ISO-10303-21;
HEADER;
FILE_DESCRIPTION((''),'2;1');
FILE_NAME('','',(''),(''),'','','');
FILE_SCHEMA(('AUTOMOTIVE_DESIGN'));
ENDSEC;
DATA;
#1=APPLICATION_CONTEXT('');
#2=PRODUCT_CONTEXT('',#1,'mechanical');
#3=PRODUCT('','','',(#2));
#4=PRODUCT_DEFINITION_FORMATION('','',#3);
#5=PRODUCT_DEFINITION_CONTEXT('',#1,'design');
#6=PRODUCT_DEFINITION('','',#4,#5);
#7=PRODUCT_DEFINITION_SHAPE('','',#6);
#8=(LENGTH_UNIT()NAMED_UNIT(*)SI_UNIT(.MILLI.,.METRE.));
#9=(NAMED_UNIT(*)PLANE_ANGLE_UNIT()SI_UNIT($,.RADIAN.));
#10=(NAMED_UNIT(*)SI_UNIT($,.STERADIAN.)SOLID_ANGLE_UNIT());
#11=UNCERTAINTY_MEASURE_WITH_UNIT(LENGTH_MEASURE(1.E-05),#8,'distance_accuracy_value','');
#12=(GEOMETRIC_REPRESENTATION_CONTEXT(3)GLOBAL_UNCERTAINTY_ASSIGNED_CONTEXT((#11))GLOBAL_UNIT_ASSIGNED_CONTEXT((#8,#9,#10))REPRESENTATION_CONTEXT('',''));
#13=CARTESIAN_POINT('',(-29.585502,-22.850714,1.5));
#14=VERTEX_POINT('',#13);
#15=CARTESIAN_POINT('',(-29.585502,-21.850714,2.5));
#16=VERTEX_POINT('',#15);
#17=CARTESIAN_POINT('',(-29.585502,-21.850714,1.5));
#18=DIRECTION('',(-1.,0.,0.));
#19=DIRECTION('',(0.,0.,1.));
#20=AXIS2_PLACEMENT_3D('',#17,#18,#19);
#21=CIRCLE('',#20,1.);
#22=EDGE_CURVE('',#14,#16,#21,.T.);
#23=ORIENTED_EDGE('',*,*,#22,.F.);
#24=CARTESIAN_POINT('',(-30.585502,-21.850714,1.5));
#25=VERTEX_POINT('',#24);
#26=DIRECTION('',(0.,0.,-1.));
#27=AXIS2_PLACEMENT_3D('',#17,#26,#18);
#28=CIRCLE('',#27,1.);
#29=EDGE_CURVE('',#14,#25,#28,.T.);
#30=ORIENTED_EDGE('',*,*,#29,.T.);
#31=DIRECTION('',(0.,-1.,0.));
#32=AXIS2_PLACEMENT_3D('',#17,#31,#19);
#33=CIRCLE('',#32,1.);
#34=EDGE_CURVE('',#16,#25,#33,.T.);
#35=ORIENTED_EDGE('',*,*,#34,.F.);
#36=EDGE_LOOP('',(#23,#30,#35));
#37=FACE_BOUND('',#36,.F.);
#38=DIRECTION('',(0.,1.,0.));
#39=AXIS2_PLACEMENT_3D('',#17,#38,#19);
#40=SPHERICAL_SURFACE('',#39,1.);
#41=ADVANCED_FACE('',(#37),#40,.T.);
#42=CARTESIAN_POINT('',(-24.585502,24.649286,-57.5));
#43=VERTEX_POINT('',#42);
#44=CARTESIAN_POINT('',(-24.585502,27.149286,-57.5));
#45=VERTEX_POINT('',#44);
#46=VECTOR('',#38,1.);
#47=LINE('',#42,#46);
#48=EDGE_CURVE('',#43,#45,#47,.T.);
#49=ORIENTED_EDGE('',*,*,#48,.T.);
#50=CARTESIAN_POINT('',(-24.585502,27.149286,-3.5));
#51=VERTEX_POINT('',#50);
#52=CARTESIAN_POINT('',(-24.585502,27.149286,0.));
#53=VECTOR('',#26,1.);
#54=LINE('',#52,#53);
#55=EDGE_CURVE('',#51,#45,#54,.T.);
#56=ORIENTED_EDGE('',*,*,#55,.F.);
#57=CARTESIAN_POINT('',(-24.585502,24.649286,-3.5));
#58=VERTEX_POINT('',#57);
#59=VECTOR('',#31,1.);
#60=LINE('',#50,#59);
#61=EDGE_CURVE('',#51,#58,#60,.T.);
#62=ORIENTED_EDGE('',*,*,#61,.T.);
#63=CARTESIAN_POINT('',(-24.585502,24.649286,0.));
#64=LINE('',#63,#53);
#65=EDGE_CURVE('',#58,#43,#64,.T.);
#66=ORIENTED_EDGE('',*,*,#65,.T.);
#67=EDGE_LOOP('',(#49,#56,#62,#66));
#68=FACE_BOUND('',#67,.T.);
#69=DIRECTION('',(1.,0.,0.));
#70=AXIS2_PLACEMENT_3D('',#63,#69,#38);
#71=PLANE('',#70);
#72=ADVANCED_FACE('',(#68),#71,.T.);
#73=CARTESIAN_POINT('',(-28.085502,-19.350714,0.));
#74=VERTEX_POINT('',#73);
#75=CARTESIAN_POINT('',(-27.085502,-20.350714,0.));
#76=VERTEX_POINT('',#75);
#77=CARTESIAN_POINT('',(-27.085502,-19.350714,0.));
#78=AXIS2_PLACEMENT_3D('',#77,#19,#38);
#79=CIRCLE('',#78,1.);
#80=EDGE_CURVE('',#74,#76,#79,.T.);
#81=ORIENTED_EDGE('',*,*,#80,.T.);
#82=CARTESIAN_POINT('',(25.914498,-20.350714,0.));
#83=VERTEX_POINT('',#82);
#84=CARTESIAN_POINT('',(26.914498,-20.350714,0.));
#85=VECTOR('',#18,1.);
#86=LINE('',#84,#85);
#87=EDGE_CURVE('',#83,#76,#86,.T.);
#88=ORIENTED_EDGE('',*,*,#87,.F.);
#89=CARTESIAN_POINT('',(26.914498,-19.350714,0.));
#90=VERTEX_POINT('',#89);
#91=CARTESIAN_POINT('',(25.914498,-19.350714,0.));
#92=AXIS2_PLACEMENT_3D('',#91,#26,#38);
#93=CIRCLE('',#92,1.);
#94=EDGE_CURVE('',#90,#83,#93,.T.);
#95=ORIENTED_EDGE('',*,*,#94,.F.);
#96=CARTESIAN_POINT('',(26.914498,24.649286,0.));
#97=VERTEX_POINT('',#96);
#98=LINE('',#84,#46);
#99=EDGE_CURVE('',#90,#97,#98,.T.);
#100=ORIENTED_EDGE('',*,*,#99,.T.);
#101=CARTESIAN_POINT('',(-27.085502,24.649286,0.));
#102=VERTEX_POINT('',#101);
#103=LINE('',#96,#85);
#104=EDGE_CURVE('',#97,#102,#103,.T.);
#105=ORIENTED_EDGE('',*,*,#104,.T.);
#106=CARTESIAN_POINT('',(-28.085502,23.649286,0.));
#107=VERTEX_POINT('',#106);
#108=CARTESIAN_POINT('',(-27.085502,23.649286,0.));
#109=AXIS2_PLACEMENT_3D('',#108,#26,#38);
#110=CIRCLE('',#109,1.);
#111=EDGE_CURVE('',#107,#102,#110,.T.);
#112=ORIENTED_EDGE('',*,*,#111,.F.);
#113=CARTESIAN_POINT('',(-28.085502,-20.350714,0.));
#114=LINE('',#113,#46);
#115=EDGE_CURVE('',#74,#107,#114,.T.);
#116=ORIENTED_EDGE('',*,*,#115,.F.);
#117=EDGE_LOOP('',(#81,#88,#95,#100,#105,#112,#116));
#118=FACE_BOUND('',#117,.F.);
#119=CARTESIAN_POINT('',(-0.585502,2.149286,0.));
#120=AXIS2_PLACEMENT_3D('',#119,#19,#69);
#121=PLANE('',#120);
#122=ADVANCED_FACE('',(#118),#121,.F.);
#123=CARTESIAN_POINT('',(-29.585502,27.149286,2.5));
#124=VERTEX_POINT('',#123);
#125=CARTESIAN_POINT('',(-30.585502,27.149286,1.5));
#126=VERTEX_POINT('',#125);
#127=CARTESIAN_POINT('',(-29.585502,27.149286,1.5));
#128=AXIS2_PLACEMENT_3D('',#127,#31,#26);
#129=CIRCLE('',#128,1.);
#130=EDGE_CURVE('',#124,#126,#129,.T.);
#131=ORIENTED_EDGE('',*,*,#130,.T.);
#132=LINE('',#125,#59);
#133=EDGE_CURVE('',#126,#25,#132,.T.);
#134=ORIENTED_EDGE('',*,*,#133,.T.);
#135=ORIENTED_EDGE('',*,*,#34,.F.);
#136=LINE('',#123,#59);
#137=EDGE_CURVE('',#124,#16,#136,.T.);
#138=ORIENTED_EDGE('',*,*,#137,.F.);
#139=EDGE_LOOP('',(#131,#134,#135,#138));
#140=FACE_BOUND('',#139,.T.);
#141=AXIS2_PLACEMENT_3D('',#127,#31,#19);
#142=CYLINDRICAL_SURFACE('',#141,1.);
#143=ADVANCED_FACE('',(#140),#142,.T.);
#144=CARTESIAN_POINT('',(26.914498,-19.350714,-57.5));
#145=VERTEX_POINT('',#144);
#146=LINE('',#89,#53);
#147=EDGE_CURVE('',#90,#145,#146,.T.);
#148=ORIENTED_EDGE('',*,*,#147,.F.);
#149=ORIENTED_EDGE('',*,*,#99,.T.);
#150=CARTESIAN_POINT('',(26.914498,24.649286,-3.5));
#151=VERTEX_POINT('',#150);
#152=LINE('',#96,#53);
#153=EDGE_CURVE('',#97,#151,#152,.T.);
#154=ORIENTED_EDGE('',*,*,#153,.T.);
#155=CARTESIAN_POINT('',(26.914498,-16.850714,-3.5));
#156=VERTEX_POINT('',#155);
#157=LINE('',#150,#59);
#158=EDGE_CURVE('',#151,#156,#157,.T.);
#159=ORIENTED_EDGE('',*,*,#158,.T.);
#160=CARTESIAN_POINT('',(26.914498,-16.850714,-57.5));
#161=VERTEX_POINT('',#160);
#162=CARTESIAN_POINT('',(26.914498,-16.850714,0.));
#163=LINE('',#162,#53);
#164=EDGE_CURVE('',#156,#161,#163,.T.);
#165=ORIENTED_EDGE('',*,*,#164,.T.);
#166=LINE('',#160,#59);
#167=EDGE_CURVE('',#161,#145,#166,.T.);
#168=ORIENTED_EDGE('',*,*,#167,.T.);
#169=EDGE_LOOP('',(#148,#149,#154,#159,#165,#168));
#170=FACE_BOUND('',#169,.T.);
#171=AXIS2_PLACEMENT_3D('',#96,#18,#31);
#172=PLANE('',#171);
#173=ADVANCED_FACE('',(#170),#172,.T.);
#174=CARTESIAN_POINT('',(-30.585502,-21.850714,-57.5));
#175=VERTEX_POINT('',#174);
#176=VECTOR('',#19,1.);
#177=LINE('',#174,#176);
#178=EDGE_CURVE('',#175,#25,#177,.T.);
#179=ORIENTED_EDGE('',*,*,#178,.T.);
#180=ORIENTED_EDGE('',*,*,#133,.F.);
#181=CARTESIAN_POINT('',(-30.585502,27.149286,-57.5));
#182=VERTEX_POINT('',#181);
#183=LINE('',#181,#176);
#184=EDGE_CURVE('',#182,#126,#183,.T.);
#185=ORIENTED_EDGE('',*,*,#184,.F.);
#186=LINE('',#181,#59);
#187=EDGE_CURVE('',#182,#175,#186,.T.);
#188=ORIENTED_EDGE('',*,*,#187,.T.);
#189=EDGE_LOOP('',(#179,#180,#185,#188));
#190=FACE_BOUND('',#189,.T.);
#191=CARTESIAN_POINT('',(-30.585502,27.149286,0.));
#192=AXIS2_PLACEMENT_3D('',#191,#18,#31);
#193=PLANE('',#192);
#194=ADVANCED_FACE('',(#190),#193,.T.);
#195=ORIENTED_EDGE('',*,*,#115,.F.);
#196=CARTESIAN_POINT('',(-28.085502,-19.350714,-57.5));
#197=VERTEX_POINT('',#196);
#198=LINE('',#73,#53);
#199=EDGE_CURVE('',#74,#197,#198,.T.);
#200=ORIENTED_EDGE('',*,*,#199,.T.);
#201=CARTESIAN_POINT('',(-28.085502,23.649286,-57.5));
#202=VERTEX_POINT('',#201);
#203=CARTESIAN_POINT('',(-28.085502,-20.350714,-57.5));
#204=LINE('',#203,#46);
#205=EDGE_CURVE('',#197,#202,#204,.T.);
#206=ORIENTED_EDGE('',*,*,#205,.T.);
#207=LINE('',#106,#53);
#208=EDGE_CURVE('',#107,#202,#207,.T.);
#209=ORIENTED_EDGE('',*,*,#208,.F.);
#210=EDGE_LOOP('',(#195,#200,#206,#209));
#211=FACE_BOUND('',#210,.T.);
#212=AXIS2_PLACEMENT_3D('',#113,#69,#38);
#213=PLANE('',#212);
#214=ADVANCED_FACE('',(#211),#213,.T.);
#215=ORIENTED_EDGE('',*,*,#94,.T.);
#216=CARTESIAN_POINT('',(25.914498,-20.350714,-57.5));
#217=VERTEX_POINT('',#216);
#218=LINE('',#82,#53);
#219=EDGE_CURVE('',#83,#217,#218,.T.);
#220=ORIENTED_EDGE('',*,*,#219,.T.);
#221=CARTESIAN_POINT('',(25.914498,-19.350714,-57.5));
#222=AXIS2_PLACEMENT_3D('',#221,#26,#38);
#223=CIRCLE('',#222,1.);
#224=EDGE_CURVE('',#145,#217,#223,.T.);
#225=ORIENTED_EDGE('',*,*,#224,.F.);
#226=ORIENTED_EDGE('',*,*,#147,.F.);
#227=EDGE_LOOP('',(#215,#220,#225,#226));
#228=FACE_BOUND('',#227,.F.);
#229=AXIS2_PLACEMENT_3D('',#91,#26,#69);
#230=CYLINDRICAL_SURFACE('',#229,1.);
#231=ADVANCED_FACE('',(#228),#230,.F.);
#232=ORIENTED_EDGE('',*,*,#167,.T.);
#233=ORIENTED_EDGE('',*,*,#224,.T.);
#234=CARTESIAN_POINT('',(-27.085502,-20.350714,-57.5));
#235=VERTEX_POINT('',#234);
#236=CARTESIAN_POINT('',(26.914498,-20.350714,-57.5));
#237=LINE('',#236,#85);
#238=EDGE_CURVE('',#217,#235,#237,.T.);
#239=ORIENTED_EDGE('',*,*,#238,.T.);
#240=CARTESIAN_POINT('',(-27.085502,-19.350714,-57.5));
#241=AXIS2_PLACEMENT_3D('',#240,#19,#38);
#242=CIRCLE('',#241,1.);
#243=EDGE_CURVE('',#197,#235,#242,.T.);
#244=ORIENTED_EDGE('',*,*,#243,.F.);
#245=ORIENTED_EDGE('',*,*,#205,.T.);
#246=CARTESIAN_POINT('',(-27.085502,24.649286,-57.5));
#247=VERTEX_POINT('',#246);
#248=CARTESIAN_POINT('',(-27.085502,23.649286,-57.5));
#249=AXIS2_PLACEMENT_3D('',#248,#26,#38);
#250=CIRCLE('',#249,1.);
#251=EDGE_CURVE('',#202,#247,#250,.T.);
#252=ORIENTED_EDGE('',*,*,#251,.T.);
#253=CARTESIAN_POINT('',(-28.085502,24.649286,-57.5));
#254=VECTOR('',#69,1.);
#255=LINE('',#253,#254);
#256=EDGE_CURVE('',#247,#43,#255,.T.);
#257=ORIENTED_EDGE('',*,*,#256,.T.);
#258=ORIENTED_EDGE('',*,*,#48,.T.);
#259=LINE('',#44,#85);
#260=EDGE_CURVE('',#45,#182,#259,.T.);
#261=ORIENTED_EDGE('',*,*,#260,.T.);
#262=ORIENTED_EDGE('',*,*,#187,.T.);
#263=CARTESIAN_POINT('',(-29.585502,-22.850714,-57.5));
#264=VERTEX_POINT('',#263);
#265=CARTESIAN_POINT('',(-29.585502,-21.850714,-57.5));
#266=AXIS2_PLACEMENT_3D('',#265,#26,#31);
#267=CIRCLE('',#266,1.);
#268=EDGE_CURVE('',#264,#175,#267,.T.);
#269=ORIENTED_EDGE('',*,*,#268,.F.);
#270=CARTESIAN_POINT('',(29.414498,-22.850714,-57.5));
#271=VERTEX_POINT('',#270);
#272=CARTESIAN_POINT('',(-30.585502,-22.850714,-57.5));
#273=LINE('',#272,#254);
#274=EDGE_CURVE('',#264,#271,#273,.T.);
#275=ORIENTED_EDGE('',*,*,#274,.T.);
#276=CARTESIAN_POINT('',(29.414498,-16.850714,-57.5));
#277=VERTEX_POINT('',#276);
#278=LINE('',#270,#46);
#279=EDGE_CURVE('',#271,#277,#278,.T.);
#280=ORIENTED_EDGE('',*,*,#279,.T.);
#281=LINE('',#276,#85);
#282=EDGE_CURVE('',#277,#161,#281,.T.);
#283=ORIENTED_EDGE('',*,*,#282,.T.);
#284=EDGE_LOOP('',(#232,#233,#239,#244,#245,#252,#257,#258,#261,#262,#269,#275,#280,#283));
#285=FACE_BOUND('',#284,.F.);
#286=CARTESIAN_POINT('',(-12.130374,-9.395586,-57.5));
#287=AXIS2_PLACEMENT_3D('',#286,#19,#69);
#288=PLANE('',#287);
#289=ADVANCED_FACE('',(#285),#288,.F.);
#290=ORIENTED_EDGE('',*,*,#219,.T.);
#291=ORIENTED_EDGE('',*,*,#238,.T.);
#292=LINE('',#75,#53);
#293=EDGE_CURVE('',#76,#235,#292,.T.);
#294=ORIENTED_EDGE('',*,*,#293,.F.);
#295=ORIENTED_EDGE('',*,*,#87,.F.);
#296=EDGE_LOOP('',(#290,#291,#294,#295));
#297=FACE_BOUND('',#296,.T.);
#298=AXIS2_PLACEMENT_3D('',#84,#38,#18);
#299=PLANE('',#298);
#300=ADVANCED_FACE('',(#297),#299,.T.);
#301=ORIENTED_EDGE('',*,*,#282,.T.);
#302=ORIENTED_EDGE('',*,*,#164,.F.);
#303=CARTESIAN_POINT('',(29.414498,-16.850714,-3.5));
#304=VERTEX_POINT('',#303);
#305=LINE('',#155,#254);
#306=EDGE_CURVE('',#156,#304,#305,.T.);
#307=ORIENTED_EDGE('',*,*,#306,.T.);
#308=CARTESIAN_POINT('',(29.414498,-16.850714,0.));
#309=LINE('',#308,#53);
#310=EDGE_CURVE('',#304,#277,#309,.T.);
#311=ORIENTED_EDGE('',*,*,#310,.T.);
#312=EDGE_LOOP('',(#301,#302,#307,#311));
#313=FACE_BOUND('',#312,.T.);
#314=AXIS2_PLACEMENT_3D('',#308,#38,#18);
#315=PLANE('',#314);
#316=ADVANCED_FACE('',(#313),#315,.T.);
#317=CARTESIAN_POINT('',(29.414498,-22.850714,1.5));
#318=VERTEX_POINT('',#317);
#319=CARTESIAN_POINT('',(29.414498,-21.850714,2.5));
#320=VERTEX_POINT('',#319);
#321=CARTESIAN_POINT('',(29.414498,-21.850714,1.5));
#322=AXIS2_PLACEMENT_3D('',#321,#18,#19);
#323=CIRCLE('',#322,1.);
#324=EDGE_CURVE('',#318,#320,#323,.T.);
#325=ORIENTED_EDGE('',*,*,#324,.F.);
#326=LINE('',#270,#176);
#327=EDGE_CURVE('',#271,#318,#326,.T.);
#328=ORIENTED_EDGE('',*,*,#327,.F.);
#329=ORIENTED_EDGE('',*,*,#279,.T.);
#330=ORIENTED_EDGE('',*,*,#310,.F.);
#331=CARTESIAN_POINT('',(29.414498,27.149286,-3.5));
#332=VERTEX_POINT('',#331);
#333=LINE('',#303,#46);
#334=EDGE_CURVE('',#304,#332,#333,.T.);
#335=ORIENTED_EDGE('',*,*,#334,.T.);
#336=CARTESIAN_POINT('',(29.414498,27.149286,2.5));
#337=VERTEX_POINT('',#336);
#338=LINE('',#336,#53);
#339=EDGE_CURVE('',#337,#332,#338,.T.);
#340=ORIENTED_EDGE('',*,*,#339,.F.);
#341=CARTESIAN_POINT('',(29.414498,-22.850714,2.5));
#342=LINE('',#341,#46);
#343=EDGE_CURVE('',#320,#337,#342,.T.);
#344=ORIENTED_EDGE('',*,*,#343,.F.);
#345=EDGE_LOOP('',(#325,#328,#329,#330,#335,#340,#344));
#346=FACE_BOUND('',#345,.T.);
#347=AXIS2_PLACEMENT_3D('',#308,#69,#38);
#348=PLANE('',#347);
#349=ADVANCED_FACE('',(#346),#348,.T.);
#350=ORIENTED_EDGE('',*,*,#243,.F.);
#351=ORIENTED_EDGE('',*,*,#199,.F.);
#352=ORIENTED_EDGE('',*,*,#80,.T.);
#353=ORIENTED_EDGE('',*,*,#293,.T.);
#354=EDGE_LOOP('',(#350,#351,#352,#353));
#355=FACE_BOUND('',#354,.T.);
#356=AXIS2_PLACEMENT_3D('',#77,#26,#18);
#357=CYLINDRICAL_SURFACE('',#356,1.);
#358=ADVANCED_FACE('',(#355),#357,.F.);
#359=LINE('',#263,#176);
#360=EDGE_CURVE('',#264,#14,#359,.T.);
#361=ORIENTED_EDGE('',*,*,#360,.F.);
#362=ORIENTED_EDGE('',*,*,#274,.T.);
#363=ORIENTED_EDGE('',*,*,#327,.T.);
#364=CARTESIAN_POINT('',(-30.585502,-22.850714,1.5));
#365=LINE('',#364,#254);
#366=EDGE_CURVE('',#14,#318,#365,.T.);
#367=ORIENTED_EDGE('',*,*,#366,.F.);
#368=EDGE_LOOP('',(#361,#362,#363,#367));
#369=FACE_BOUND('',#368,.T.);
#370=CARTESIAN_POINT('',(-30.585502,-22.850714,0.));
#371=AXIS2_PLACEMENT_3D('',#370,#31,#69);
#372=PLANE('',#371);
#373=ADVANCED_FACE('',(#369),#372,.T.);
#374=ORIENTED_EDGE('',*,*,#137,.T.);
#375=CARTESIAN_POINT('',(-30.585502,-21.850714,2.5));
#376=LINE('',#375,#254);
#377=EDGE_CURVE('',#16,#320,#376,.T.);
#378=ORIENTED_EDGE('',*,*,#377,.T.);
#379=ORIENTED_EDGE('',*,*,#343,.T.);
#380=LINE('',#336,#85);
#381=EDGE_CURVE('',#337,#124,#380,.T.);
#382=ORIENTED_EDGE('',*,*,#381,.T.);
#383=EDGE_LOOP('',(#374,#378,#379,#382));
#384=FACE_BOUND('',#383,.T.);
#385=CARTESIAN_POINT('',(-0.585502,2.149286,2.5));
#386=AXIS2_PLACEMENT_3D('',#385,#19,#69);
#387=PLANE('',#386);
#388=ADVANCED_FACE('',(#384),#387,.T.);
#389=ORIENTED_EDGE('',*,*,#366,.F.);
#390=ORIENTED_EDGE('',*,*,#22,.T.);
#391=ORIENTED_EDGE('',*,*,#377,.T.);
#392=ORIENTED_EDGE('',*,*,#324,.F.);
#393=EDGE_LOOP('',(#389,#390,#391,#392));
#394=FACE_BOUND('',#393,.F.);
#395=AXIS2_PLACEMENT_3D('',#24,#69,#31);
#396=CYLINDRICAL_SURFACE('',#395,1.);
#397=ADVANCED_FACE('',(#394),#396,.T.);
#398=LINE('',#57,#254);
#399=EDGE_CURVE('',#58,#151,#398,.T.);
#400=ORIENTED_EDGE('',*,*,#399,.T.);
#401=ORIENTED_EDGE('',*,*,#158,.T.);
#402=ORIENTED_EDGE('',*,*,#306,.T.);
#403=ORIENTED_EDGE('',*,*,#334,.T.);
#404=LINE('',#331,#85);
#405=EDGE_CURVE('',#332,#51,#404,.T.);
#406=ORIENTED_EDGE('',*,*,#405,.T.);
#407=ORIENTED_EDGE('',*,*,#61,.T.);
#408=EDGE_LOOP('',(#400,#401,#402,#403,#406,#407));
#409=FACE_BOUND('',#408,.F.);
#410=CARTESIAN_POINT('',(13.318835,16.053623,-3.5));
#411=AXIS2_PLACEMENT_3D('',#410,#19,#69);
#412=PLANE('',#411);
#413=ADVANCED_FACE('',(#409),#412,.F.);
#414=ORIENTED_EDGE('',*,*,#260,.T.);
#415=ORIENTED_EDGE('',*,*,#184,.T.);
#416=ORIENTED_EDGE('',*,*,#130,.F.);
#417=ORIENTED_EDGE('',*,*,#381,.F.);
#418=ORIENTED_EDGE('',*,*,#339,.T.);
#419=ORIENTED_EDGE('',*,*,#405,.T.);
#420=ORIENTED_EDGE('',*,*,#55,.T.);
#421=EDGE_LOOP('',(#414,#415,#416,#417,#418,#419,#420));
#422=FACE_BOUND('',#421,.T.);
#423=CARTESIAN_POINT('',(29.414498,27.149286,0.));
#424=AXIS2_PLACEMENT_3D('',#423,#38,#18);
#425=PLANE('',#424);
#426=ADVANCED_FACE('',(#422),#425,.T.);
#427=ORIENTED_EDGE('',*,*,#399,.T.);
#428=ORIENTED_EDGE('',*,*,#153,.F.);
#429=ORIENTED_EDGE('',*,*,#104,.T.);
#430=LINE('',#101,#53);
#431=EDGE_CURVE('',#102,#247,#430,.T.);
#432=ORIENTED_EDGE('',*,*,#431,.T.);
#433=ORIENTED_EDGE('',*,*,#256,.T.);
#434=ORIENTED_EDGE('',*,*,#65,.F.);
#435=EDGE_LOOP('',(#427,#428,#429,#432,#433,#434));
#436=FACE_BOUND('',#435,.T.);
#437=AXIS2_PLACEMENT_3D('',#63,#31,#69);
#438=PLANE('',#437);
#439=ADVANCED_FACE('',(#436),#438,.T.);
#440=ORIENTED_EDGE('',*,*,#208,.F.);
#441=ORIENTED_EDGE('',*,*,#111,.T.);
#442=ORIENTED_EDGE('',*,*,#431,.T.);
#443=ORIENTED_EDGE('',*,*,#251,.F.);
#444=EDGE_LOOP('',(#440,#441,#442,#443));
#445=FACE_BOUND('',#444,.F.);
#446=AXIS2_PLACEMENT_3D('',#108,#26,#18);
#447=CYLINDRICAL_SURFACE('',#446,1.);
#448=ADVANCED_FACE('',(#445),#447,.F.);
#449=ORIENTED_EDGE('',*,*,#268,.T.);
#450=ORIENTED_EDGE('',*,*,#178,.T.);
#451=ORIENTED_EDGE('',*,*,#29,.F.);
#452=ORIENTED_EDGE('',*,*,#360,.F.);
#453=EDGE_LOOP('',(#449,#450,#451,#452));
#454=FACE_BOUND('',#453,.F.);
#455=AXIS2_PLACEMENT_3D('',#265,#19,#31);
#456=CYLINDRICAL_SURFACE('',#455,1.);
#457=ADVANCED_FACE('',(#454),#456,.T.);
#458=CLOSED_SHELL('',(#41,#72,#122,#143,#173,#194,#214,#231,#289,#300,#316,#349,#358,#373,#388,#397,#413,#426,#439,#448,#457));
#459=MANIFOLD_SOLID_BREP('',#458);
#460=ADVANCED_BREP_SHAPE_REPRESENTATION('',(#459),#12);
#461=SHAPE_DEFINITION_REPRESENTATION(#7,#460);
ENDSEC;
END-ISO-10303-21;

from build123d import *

# Parameters (mm, degrees)
F1_DEPTH = 2.5
F2_DEPTH = 57.5
F3_DEPTH = 3.5
F4_R     = 1


with BuildPart() as f1:
    # F0 (on Top) → F1 (new body)
    with BuildSketch(Plane.XY):
        Polygon((26.914498, 24.649286), (-24.585502, 24.649286), (-28.085502, 24.649286), (-28.085502, -20.350714), (26.914498, -20.350714), (26.914498, -16.850714), align=None)
        Polygon((-24.585502, 27.149286), (-30.585502, 27.149286), (-30.585502, -22.850714), (29.414498, -22.850714), (29.414498, -16.850714), (26.914498, -16.850714), (26.914498, -20.350714), (-28.085502, -20.350714), (-28.085502, 24.649286), (-24.585502, 24.649286), align=None)
        Polygon((29.414498, 27.149286), (-24.585502, 27.149286), (-24.585502, 24.649286), (26.914498, 24.649286), (26.914498, -16.850714), (29.414498, -16.850714), align=None)
    extrude(amount=F1_DEPTH)

    # F0 (on Top) → F2 (join)
    with BuildSketch(Plane.XY):
        Polygon((-24.585502, 27.149286), (-30.585502, 27.149286), (-30.585502, -22.850714), (29.414498, -22.850714), (29.414498, -16.850714), (26.914498, -16.850714), (26.914498, -20.350714), (-28.085502, -20.350714), (-28.085502, 24.649286), (-24.585502, 24.649286), align=None)
    extrude(amount=-F2_DEPTH)

    # F0 (on Top) → F3 (join)
    with BuildSketch(Plane.XY):
        Polygon((29.414498, 27.149286), (-24.585502, 27.149286), (-24.585502, 24.649286), (26.914498, 24.649286), (26.914498, -16.850714), (29.414498, -16.850714), align=None)
    extrude(amount=-F3_DEPTH)

    # F4
    f4_edges = [f1.edges().sort_by_distance(p)[0] for p in [
        (-30.585502, 2.149286, 2.5),
        (-0.585502, -22.850714, 2.5),
        (-30.585502, -22.850714, -27.5),
        (-28.085502, -20.350714, -28.75),
        (26.914498, -20.350714, -28.75),
        (-28.085502, 24.649286, -28.75),
    ]]
    fillet(f4_edges, radius=F4_R)


solid = f1.part
